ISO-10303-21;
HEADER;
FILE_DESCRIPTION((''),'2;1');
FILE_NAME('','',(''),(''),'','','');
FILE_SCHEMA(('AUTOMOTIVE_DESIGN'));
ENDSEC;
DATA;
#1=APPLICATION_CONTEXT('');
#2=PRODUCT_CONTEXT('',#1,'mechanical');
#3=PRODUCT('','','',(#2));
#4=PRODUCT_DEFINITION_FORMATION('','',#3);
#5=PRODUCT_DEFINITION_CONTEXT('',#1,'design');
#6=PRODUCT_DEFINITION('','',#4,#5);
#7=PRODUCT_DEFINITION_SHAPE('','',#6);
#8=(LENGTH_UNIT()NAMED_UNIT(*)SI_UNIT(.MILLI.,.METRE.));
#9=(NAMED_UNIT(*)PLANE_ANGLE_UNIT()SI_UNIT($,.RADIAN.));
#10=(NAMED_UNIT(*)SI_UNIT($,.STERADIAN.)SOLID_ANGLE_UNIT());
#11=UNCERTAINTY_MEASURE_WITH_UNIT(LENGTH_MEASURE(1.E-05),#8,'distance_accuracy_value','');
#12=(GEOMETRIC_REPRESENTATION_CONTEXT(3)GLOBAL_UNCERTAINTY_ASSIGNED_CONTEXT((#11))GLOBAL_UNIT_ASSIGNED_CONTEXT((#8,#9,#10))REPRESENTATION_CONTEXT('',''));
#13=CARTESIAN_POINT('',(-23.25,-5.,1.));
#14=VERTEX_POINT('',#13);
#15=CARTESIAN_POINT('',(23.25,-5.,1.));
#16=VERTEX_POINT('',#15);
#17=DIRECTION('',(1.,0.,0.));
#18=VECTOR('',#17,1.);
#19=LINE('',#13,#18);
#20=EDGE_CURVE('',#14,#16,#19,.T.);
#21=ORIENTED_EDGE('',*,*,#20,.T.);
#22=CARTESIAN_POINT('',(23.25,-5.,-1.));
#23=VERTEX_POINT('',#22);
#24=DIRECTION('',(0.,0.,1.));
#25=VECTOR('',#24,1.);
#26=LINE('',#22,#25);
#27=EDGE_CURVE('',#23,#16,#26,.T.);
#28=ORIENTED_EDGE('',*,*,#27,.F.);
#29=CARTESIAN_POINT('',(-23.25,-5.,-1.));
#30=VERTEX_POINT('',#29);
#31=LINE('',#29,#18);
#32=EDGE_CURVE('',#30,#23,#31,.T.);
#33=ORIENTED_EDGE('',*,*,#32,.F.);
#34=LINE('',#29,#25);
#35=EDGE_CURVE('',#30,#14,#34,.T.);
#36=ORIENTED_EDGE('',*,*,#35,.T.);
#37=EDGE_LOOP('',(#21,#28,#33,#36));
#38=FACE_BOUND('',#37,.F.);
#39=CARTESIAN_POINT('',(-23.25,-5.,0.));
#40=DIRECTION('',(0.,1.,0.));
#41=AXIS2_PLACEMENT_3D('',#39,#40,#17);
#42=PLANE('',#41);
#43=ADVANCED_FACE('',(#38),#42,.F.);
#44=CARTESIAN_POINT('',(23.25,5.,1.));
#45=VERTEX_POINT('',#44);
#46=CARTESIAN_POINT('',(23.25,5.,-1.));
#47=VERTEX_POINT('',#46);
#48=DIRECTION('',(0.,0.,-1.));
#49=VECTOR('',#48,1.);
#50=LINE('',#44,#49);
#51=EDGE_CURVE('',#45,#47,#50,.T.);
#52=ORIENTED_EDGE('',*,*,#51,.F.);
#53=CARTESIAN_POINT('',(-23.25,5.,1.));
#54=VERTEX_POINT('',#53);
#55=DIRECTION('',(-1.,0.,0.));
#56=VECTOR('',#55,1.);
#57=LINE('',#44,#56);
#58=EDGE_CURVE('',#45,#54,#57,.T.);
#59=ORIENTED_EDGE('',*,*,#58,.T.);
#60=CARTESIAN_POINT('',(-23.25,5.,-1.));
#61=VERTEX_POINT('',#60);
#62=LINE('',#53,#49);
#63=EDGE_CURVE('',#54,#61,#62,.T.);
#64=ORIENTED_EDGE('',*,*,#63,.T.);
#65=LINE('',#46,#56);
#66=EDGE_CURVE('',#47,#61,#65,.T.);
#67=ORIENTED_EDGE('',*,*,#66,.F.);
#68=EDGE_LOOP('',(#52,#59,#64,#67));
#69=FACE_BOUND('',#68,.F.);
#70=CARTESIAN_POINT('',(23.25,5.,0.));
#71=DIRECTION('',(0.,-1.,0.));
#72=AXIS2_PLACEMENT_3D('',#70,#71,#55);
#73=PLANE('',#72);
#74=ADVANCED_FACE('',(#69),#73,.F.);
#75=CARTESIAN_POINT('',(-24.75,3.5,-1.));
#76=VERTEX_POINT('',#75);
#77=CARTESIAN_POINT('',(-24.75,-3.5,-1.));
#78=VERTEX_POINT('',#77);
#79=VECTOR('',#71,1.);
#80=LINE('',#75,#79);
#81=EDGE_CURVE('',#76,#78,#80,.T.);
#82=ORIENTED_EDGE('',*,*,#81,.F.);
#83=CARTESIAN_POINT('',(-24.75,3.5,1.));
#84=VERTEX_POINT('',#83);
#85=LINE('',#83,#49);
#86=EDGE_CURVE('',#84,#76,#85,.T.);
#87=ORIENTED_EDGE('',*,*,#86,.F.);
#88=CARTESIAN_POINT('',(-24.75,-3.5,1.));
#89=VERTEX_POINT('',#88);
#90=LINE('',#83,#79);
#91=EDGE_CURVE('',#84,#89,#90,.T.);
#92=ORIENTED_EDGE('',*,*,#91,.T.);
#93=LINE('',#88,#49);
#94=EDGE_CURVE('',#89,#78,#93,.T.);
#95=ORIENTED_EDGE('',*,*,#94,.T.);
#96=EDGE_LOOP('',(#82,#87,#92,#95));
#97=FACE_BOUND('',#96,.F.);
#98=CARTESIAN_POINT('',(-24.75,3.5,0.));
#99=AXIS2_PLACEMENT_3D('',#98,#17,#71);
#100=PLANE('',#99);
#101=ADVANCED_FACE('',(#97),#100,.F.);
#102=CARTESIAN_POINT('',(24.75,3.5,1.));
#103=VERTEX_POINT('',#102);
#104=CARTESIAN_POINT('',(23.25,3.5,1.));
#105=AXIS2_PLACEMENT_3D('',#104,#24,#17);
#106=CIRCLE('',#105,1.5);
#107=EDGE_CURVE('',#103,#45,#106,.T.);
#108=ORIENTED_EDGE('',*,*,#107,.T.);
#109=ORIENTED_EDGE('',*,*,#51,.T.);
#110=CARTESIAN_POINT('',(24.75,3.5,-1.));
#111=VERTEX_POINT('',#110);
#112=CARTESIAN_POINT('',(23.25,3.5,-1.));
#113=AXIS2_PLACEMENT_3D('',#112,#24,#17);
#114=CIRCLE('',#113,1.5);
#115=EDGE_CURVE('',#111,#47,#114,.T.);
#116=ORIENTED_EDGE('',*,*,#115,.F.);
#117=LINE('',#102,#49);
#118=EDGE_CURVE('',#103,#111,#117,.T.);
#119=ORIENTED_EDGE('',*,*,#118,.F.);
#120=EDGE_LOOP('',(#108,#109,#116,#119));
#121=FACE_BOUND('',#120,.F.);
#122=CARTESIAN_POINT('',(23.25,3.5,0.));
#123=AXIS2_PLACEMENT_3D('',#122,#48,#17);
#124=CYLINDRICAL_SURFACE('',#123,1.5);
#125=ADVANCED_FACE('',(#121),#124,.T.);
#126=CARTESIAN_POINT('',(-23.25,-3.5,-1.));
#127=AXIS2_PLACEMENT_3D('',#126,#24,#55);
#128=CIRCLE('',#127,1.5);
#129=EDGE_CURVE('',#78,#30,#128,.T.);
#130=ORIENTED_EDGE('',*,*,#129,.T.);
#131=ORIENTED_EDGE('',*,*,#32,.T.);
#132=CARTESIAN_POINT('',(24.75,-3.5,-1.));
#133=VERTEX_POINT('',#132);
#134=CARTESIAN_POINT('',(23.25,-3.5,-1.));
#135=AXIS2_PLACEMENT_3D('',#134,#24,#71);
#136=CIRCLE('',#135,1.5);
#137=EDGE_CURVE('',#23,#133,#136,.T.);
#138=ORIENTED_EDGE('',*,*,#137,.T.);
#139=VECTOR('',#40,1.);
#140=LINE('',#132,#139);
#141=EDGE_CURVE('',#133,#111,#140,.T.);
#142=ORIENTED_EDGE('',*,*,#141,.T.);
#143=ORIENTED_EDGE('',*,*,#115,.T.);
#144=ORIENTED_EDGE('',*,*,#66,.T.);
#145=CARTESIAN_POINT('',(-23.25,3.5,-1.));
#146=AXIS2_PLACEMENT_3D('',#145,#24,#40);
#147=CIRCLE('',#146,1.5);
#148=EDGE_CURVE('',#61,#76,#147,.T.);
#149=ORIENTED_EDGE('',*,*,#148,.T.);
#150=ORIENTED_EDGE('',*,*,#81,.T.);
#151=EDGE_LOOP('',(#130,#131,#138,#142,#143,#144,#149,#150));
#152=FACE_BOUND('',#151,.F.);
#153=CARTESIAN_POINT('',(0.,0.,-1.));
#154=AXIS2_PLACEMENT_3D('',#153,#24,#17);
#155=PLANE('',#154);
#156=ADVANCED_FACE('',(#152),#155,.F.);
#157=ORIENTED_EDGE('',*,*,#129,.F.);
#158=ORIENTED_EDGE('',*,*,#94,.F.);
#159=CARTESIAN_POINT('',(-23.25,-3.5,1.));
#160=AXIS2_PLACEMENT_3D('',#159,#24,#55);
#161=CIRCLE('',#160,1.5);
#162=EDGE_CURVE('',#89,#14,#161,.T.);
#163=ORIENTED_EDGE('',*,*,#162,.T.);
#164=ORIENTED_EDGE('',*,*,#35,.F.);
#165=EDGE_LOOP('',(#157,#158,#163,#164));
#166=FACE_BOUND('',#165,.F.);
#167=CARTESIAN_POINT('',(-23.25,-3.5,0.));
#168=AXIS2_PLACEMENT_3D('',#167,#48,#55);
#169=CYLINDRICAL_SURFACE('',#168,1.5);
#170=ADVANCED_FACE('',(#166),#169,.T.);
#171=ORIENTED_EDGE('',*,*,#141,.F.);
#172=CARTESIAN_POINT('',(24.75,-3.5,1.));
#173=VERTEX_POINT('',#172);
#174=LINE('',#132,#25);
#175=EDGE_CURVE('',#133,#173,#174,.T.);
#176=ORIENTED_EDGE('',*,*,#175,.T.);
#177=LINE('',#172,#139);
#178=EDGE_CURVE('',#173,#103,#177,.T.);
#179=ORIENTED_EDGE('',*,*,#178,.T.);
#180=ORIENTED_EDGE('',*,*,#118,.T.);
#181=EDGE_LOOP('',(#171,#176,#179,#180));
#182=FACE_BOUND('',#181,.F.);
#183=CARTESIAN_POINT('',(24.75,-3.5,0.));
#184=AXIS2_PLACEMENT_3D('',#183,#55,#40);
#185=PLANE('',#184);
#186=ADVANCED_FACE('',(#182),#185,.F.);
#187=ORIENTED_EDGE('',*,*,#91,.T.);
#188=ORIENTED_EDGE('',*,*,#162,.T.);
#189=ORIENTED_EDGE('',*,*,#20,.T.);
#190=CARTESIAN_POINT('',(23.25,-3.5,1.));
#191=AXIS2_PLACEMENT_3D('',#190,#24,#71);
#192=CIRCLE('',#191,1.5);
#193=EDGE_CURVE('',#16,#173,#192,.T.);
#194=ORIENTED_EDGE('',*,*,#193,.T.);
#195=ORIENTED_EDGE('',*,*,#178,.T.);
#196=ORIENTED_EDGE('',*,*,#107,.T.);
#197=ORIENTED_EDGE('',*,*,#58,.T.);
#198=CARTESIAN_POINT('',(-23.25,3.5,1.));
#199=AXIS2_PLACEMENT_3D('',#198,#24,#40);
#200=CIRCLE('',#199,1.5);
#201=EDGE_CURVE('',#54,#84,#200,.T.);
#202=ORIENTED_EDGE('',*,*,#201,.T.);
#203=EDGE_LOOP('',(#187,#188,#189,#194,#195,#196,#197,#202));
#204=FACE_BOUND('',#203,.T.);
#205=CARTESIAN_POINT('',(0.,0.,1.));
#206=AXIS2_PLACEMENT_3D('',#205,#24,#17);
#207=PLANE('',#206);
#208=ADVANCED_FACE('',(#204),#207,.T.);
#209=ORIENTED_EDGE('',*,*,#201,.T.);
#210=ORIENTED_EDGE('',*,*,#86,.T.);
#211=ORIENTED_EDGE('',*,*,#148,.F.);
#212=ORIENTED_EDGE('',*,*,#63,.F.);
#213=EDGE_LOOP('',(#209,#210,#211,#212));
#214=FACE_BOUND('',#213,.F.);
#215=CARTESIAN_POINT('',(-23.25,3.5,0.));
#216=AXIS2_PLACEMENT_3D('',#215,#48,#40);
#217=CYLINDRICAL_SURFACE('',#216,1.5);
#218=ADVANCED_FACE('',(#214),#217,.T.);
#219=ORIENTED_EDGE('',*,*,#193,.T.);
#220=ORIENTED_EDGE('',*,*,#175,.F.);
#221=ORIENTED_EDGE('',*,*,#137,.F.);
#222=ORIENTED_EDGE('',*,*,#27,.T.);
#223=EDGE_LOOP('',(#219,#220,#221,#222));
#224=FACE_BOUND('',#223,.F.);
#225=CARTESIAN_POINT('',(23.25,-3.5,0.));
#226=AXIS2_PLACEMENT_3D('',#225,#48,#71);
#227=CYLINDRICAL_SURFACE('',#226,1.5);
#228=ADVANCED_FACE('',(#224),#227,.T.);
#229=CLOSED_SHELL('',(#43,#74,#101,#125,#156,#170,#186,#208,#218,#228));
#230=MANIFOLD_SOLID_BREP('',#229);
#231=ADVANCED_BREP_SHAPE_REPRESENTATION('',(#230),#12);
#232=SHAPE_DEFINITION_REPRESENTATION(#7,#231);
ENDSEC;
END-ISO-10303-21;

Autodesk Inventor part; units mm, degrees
ref_plane "YZ Plane" through (0, 0, 0) normal (1, 0, 0) x (0, 1, 0)
ref_plane "XZ Plane" through (0, 0, 0) normal (0, 1, 0) x (-1, 0, 0)
ref_plane "XY Plane" through (0, 0, 0) normal (0, 0, 1) x (1, 0, 0)
sketch "草圖1" plane through (0, 0, 0) normal (0, 0, 1) x (1, 0, 0)
  line L0 (0, 0) -> (-25.6572, 0) construction
  line L1 (0, 0) -> (0, 24.1407) construction
  line L2 (-23.25, -5) -> (23.25, -5)
  line L3 (24.75, -3.5) -> (24.75, 3.5)
  line L4 (23.25, 5) -> (-23.25, 5)
  line L5 (-24.75, 3.5) -> (-24.75, -3.5)
  line L6 (-24.75, -5) -> (24.75, 5) construction
  line L7 (24.75, -5) -> (-24.75, 5) construction
  arc A0 (23.25, -5) -> (24.75, -3.5) centre (23.25, -3.5) ccw
  arc A1 (-24.75, -3.5) -> (-23.25, -5) centre (-23.25, -3.5) ccw
  arc A2 (24.75, 3.5) -> (23.25, 5) centre (23.25, 3.5) ccw
  arc A3 (-23.25, 5) -> (-24.75, 3.5) centre (-23.25, 3.5) ccw
  dimension "d0" = 49.5
  dimension "d1" = 10
  dimension "d4" = 1.5
  dimension "d5" = 1.5
extrude "擠出1" add sketch "草圖1" along normal mid plane 2
equation "\"d4\" = d5"
equation "\"折彎半徑\" = 厚度"
equation "\"折彎離隙寬度\" = 厚度"
equation "\"折彎離隙深度\" = 0.5 * 厚度"
equation "\"最小剩餘\" = 2 * 厚度"
equation "\"轉移半徑\" = 折彎半徑"
equation "\"Jacobi半徑大小\" = 折彎半徑"
equation "\"間隙大小\" = 厚度"
equation "\"厚度\" = 2.5"
properties part number "0 零件" material "不鏽鋼SUS-HL(砂紋)"
